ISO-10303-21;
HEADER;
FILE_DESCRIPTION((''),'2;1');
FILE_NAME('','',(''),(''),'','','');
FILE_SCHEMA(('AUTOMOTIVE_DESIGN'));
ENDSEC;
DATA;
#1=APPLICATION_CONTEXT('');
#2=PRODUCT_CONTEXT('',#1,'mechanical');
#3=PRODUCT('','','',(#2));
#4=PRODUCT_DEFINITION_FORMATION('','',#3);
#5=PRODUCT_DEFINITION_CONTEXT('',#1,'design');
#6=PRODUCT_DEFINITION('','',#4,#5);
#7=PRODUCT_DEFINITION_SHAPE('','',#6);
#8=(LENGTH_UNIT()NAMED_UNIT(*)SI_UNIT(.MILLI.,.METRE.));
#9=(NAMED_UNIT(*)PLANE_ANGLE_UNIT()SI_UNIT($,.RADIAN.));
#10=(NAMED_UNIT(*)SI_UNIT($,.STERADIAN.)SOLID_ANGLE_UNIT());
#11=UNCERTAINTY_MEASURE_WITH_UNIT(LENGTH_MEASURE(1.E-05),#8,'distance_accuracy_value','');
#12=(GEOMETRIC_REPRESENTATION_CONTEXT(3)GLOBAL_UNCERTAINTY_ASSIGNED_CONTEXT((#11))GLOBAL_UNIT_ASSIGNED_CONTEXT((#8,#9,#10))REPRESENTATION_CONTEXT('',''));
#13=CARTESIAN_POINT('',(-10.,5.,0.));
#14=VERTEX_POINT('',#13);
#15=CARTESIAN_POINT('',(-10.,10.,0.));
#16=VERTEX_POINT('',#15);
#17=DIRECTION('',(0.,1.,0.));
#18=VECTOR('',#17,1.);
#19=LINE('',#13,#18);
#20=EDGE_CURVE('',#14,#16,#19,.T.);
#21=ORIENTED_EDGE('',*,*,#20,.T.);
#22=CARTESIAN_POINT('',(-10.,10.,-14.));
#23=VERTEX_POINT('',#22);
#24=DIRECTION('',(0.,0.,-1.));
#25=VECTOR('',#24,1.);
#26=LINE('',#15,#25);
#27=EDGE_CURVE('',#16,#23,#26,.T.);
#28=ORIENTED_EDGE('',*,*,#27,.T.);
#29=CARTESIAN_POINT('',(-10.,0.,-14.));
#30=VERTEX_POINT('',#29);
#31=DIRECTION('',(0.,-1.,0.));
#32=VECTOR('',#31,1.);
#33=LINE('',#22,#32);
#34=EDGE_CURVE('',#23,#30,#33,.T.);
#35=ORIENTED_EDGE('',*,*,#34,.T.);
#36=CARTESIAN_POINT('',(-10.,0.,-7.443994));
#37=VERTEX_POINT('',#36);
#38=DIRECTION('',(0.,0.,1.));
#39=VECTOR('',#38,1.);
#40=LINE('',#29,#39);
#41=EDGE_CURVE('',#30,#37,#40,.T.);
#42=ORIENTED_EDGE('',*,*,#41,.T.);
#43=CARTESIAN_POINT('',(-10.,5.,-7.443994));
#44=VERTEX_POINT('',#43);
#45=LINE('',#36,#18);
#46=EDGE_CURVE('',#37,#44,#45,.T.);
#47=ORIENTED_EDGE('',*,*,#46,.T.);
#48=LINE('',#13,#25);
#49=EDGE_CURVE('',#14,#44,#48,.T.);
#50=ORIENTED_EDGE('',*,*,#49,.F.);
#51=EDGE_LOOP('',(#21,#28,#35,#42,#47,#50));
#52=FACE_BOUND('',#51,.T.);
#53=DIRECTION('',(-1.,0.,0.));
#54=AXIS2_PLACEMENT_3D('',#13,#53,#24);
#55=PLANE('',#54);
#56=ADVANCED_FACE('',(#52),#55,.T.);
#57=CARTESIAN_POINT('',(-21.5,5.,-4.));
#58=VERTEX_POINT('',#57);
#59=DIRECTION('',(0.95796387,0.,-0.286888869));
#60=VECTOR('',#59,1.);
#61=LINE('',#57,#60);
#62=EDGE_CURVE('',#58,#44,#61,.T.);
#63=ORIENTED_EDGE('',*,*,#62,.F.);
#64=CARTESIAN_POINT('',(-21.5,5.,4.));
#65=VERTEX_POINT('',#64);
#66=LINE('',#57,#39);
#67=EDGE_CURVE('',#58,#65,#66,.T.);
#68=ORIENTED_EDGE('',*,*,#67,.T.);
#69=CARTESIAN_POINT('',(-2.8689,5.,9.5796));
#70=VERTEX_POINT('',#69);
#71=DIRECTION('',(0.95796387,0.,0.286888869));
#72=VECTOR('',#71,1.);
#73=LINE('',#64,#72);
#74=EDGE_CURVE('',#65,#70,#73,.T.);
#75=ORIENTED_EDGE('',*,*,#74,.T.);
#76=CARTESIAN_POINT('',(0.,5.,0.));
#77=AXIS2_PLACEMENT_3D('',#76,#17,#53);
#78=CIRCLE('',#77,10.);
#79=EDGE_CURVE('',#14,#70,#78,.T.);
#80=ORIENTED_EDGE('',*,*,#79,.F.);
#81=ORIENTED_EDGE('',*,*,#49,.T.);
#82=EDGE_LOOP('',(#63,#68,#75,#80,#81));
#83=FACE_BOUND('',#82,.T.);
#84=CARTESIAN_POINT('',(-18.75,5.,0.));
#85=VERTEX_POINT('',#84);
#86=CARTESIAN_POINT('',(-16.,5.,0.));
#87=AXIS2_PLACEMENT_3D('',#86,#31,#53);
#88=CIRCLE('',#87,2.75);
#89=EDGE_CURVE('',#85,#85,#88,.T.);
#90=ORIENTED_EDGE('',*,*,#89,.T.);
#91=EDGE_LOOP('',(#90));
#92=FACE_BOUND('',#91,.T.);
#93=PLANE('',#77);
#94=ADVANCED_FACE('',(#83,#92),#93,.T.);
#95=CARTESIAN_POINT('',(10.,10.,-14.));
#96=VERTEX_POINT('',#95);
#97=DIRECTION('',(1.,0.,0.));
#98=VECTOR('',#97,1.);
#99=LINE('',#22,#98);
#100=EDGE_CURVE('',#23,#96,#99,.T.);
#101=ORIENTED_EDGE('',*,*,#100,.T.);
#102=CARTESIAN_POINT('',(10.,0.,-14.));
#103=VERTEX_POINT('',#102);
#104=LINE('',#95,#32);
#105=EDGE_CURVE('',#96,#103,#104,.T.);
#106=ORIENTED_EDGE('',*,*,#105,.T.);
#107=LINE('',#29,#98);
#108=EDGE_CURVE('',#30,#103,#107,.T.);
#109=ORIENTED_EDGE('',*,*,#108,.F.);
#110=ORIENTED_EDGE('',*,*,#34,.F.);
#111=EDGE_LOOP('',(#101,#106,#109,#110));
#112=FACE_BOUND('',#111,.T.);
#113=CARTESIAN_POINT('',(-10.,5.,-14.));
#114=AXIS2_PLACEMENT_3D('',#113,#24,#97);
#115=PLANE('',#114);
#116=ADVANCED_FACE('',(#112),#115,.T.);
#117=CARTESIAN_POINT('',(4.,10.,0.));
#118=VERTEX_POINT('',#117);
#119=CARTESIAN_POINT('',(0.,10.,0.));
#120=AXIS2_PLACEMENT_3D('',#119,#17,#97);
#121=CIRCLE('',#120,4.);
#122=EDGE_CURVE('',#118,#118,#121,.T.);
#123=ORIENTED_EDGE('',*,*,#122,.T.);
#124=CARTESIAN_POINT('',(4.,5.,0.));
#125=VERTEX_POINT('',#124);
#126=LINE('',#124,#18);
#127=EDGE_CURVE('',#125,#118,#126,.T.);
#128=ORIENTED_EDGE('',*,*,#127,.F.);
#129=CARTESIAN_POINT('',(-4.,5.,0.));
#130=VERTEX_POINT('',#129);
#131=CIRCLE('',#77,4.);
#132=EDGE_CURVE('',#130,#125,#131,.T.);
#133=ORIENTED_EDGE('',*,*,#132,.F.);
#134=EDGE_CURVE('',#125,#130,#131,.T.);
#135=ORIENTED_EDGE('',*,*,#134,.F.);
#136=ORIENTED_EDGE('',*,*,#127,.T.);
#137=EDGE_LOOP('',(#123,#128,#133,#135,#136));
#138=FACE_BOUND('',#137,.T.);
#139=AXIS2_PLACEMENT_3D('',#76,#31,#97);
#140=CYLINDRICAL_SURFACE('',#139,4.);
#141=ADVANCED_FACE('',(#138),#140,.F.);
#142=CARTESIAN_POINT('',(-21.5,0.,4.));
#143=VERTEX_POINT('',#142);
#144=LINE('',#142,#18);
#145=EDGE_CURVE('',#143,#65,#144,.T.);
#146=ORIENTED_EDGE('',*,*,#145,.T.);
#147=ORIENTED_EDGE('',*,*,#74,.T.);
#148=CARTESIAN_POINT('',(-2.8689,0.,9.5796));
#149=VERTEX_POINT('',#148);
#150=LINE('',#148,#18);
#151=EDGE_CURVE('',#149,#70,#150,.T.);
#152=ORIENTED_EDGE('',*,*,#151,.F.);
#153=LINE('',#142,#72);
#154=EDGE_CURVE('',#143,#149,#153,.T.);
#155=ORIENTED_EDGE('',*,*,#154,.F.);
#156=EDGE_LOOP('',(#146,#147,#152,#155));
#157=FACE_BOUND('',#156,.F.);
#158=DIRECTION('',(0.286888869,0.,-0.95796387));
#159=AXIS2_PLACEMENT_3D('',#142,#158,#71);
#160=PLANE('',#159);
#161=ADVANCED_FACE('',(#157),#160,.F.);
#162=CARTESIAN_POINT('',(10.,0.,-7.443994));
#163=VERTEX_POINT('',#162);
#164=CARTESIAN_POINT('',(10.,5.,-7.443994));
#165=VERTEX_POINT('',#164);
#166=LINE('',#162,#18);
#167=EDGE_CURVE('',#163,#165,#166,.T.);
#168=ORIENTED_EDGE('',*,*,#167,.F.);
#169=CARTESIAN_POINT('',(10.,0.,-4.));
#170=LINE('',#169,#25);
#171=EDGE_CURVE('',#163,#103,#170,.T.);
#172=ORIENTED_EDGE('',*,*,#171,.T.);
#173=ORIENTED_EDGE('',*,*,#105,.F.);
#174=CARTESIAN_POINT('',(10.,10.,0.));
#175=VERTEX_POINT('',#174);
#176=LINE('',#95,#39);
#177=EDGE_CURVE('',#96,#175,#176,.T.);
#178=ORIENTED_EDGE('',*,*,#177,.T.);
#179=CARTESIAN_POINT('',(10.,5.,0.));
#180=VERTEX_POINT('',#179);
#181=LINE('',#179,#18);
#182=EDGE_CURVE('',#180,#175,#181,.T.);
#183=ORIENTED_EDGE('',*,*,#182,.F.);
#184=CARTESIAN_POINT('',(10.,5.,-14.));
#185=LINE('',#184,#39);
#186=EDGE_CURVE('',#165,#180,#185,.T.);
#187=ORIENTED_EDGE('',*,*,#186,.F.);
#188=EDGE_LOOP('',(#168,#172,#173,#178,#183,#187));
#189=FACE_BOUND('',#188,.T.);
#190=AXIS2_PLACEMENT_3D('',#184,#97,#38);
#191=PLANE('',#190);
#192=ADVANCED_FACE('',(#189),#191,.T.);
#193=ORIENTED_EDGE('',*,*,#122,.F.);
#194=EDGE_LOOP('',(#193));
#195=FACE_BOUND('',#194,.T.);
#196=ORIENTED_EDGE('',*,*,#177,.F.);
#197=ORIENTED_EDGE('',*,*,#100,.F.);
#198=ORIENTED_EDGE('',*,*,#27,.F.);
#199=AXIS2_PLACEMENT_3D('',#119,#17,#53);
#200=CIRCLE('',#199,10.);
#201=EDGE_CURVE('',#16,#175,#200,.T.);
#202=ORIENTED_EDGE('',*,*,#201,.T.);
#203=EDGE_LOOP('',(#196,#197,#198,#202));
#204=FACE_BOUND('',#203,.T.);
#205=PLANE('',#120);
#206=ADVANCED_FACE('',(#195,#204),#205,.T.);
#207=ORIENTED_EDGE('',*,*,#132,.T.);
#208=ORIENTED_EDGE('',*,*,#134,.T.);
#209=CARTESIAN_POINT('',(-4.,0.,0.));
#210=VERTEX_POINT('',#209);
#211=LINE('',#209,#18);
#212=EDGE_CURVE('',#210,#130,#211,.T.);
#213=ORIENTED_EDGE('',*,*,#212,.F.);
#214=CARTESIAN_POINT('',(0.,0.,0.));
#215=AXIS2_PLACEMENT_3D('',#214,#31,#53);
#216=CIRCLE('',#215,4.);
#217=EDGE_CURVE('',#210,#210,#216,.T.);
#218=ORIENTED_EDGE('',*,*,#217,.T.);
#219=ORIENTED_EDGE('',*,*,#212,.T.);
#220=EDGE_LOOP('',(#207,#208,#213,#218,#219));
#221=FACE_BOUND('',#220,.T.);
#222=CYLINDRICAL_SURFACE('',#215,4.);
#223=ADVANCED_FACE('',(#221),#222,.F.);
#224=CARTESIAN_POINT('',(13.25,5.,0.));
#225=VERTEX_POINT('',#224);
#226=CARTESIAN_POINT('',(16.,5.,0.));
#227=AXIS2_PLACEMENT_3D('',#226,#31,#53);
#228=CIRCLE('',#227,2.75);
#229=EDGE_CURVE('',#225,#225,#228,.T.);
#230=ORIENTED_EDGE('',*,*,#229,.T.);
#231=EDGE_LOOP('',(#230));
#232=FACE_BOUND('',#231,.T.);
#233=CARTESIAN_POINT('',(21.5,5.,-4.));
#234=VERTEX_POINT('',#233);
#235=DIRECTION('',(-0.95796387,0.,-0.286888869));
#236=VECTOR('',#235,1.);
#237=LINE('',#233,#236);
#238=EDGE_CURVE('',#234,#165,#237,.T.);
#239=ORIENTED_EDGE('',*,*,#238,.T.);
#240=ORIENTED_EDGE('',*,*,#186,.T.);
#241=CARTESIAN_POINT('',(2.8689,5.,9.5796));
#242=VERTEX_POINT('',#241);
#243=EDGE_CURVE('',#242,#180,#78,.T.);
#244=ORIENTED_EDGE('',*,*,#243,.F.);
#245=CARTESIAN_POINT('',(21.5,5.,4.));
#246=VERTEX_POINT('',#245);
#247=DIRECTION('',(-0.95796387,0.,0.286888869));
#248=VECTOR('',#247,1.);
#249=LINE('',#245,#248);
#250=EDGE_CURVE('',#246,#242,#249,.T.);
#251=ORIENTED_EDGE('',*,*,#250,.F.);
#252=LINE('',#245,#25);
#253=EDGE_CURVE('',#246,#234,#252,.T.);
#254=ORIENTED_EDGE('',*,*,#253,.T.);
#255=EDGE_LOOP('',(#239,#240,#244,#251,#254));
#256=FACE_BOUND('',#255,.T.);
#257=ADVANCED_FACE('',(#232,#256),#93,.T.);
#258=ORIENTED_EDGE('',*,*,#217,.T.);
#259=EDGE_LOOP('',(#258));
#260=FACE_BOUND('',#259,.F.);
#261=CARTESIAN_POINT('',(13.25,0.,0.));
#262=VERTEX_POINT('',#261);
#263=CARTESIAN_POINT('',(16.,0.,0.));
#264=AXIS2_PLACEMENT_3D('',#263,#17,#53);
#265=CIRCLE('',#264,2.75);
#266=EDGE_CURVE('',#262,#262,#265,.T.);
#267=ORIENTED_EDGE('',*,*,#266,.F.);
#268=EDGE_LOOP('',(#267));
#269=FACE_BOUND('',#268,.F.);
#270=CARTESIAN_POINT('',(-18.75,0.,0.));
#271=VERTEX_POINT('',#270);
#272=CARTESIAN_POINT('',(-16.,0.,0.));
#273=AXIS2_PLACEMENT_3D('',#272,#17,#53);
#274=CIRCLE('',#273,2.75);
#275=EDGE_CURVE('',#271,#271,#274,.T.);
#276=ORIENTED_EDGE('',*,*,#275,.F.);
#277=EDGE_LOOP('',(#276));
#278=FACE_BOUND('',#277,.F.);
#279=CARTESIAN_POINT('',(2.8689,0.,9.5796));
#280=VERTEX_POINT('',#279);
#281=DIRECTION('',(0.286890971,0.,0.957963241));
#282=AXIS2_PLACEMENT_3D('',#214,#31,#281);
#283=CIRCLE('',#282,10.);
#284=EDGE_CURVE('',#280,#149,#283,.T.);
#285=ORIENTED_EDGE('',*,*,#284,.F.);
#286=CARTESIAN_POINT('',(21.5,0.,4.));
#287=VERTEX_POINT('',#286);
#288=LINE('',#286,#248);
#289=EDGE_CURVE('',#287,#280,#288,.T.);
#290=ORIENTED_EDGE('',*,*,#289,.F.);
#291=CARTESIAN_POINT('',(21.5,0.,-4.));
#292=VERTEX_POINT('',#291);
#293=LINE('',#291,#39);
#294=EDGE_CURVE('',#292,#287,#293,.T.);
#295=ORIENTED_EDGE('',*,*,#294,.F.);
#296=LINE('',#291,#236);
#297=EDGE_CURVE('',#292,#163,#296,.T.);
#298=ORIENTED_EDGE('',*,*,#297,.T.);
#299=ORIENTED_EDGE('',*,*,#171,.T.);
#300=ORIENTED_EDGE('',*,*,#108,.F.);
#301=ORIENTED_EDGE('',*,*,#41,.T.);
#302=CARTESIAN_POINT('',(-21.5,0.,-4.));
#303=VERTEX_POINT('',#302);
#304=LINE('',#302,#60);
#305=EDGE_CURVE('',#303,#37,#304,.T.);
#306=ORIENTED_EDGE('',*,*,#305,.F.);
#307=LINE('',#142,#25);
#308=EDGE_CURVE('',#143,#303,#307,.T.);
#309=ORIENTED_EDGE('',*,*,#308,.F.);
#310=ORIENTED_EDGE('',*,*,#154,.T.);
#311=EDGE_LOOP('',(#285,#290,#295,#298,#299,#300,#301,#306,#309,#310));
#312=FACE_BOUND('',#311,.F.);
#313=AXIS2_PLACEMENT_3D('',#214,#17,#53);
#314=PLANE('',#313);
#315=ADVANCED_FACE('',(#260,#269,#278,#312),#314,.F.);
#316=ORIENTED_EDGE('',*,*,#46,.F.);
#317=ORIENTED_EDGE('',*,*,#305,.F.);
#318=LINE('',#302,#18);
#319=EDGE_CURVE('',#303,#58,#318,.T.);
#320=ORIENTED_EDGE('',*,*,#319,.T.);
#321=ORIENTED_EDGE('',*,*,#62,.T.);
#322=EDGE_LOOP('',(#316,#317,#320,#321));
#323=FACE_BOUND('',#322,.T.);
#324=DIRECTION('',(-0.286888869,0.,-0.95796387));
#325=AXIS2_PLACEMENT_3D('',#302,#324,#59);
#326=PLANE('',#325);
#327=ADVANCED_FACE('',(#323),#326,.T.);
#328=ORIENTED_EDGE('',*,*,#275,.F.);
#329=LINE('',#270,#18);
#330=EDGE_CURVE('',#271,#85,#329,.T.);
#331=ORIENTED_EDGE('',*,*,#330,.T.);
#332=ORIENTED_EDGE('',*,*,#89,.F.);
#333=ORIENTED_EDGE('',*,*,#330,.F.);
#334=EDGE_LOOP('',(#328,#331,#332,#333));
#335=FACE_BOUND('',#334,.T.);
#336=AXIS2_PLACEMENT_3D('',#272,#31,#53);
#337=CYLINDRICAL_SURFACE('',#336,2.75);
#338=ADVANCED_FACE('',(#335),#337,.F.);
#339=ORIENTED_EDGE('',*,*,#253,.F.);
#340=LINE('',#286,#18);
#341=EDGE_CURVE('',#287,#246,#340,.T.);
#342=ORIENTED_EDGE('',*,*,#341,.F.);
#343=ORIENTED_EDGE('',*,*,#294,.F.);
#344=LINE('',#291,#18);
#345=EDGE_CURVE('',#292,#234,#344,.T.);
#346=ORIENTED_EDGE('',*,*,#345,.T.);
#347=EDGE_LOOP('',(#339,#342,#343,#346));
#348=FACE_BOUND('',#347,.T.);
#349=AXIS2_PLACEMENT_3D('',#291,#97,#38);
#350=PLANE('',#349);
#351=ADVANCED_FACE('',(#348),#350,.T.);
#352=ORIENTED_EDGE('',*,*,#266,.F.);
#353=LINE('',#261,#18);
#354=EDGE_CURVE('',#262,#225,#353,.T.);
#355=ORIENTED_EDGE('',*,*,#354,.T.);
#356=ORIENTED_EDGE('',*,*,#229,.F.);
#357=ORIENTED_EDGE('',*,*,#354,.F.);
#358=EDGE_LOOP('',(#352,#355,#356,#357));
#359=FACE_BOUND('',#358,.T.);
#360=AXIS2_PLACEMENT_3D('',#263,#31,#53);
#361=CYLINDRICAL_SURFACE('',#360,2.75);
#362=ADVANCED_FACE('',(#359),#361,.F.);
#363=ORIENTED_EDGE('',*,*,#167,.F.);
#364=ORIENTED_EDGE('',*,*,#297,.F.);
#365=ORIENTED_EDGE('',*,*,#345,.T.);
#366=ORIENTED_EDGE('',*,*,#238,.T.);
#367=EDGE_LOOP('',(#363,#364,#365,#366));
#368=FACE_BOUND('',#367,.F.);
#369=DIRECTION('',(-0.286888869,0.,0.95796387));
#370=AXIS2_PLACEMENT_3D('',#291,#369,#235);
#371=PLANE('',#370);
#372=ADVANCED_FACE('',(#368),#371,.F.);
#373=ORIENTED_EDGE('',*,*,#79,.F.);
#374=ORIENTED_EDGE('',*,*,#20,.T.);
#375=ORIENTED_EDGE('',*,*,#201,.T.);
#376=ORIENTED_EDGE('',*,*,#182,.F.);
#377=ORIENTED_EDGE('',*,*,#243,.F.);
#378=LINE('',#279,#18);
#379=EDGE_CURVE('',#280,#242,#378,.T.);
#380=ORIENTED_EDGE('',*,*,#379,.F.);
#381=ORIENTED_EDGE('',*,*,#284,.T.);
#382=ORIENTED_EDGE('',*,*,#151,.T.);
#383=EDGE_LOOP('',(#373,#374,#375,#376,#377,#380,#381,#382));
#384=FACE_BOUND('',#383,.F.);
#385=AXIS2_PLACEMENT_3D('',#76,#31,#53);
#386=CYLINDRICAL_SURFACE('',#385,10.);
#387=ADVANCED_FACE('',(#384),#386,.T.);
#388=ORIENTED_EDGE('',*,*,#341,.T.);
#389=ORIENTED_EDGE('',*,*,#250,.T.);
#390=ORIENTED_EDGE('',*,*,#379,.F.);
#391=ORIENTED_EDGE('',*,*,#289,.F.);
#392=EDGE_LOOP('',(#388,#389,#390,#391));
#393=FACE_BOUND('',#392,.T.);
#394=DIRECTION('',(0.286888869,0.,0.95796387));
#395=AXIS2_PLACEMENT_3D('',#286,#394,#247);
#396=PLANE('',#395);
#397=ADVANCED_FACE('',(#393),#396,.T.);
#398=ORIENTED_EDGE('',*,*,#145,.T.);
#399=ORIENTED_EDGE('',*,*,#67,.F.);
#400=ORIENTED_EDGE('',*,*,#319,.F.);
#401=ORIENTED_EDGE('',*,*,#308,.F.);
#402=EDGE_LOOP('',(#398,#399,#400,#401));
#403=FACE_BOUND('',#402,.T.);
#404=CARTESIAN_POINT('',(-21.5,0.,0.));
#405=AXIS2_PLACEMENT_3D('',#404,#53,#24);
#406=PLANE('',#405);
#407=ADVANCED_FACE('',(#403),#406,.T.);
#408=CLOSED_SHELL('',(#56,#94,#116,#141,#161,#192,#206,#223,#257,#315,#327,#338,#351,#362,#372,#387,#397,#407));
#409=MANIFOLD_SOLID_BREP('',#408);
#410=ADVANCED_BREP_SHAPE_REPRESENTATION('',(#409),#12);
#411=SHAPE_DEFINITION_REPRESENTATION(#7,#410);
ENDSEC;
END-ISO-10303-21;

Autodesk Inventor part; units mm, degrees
ref_plane "YZ Plane" through (0, 0, 0) normal (1, 0, 0) x (0, 1, 0)
ref_plane "XZ Plane" through (0, 0, 0) normal (0, 1, 0) x (-1, 0, 0)
ref_plane "XY Plane" through (0, 0, 0) normal (0, 0, 1) x (1, 0, 0)
sketch "Sketch1" plane through (0, 0, 0) normal (0, 1, 0) x (-1, 0, 0)
  circle A0 centre (0, 0) radius 4
  circle A1 centre (0, 0) radius 10
  circle A2 centre (-16, 0) radius 2.75
  line L0 (21.5, -4) -> (-21.5, -4)
  line L1 (-21.5, -4) -> (-21.5, 4)
  line L2 (-21.5, 4) -> (21.5, 4)
  line L3 (21.5, 4) -> (21.5, -4)
  line L4 (21.5, -4) -> (-21.5, 4) construction
  line L5 (-21.5, -4) -> (21.5, 4) construction
  line L6 (21.5, 0) -> (-21.5, 0)
  circle A3 centre (16, 0) radius 2.75
  line L7 (0, 10) -> (0, -14)
  line L8 (-21.5, 4) -> (-2.8689, 9.5796)
  line L9 (21.5, 4) -> (2.8689, 9.5796)
  line L10 (21.5, -4) -> (2.8689, -9.5796)
  line L11 (-21.5, -4) -> (-2.8689, -9.5796)
  line L12 (-10, -14) -> (10, -14)
  line L13 (10, -14) -> (10, -4)
  line L14 (10, 0) -> (-10, 0)
  line L15 (-10, -4) -> (-10, -14)
  dimension "d0" = 8
  dimension "d1" = 20
  dimension "d2" = 5.5
  dimension "d3" = 43
  dimension "d4" = 8
  dimension "d5" = 16
  dimension "d6" = 5.5
  dimension "d7" = 16
  dimension "d8" = 24
  dimension "d9" = 0
  dimension "d10" = 10
extrude "Extrusion1" add sketch "Sketch1" along normal blind 5 contours L6 A1 L0 A0 | A0 L2 A1 L6 | A0 L6 A1 L2 | L7 A1 L2 | L2 A1 L7 | L0 A1 L6 A0 | L7 A1 L0 | L0 A1 L7 | L6 A3 L3 L0 A1 | A1 L2 L3 L6 A3 | L2 L8 A1 | A1 L6 A2 L1 L2 | A1 L9 L2 | L0 L13 L10 A1 | L0 L1 L6 A2 A1 | A1 L11 L15 L0 | L7 L12 L15 L11 A1 | A1 L10 L13 L12 L7 | L0 L10 L13 | L15 L11 L0
sketch "Sketch2" plane through (0, 5, 0) normal (0, 1, 0) x (1, 0, 0)
  circle A0 centre (0, 0) radius 4 projected
  arc A1 (-10, 0) -> (10, 0) centre (0, 0) ccw
  line L0 (-10, 14) -> (10, 14)
  line L1 (10, 14) -> (10, 0)
  line L2 (-10, 0) -> (-10, 14)
  circle A2 centre (0, 0) radius 4
  dimension "d13" = 20
  dimension "d15" = 20
extrude "Extrusion2" add sketch "Sketch2" along normal blind 5
properties part number "shf8"
